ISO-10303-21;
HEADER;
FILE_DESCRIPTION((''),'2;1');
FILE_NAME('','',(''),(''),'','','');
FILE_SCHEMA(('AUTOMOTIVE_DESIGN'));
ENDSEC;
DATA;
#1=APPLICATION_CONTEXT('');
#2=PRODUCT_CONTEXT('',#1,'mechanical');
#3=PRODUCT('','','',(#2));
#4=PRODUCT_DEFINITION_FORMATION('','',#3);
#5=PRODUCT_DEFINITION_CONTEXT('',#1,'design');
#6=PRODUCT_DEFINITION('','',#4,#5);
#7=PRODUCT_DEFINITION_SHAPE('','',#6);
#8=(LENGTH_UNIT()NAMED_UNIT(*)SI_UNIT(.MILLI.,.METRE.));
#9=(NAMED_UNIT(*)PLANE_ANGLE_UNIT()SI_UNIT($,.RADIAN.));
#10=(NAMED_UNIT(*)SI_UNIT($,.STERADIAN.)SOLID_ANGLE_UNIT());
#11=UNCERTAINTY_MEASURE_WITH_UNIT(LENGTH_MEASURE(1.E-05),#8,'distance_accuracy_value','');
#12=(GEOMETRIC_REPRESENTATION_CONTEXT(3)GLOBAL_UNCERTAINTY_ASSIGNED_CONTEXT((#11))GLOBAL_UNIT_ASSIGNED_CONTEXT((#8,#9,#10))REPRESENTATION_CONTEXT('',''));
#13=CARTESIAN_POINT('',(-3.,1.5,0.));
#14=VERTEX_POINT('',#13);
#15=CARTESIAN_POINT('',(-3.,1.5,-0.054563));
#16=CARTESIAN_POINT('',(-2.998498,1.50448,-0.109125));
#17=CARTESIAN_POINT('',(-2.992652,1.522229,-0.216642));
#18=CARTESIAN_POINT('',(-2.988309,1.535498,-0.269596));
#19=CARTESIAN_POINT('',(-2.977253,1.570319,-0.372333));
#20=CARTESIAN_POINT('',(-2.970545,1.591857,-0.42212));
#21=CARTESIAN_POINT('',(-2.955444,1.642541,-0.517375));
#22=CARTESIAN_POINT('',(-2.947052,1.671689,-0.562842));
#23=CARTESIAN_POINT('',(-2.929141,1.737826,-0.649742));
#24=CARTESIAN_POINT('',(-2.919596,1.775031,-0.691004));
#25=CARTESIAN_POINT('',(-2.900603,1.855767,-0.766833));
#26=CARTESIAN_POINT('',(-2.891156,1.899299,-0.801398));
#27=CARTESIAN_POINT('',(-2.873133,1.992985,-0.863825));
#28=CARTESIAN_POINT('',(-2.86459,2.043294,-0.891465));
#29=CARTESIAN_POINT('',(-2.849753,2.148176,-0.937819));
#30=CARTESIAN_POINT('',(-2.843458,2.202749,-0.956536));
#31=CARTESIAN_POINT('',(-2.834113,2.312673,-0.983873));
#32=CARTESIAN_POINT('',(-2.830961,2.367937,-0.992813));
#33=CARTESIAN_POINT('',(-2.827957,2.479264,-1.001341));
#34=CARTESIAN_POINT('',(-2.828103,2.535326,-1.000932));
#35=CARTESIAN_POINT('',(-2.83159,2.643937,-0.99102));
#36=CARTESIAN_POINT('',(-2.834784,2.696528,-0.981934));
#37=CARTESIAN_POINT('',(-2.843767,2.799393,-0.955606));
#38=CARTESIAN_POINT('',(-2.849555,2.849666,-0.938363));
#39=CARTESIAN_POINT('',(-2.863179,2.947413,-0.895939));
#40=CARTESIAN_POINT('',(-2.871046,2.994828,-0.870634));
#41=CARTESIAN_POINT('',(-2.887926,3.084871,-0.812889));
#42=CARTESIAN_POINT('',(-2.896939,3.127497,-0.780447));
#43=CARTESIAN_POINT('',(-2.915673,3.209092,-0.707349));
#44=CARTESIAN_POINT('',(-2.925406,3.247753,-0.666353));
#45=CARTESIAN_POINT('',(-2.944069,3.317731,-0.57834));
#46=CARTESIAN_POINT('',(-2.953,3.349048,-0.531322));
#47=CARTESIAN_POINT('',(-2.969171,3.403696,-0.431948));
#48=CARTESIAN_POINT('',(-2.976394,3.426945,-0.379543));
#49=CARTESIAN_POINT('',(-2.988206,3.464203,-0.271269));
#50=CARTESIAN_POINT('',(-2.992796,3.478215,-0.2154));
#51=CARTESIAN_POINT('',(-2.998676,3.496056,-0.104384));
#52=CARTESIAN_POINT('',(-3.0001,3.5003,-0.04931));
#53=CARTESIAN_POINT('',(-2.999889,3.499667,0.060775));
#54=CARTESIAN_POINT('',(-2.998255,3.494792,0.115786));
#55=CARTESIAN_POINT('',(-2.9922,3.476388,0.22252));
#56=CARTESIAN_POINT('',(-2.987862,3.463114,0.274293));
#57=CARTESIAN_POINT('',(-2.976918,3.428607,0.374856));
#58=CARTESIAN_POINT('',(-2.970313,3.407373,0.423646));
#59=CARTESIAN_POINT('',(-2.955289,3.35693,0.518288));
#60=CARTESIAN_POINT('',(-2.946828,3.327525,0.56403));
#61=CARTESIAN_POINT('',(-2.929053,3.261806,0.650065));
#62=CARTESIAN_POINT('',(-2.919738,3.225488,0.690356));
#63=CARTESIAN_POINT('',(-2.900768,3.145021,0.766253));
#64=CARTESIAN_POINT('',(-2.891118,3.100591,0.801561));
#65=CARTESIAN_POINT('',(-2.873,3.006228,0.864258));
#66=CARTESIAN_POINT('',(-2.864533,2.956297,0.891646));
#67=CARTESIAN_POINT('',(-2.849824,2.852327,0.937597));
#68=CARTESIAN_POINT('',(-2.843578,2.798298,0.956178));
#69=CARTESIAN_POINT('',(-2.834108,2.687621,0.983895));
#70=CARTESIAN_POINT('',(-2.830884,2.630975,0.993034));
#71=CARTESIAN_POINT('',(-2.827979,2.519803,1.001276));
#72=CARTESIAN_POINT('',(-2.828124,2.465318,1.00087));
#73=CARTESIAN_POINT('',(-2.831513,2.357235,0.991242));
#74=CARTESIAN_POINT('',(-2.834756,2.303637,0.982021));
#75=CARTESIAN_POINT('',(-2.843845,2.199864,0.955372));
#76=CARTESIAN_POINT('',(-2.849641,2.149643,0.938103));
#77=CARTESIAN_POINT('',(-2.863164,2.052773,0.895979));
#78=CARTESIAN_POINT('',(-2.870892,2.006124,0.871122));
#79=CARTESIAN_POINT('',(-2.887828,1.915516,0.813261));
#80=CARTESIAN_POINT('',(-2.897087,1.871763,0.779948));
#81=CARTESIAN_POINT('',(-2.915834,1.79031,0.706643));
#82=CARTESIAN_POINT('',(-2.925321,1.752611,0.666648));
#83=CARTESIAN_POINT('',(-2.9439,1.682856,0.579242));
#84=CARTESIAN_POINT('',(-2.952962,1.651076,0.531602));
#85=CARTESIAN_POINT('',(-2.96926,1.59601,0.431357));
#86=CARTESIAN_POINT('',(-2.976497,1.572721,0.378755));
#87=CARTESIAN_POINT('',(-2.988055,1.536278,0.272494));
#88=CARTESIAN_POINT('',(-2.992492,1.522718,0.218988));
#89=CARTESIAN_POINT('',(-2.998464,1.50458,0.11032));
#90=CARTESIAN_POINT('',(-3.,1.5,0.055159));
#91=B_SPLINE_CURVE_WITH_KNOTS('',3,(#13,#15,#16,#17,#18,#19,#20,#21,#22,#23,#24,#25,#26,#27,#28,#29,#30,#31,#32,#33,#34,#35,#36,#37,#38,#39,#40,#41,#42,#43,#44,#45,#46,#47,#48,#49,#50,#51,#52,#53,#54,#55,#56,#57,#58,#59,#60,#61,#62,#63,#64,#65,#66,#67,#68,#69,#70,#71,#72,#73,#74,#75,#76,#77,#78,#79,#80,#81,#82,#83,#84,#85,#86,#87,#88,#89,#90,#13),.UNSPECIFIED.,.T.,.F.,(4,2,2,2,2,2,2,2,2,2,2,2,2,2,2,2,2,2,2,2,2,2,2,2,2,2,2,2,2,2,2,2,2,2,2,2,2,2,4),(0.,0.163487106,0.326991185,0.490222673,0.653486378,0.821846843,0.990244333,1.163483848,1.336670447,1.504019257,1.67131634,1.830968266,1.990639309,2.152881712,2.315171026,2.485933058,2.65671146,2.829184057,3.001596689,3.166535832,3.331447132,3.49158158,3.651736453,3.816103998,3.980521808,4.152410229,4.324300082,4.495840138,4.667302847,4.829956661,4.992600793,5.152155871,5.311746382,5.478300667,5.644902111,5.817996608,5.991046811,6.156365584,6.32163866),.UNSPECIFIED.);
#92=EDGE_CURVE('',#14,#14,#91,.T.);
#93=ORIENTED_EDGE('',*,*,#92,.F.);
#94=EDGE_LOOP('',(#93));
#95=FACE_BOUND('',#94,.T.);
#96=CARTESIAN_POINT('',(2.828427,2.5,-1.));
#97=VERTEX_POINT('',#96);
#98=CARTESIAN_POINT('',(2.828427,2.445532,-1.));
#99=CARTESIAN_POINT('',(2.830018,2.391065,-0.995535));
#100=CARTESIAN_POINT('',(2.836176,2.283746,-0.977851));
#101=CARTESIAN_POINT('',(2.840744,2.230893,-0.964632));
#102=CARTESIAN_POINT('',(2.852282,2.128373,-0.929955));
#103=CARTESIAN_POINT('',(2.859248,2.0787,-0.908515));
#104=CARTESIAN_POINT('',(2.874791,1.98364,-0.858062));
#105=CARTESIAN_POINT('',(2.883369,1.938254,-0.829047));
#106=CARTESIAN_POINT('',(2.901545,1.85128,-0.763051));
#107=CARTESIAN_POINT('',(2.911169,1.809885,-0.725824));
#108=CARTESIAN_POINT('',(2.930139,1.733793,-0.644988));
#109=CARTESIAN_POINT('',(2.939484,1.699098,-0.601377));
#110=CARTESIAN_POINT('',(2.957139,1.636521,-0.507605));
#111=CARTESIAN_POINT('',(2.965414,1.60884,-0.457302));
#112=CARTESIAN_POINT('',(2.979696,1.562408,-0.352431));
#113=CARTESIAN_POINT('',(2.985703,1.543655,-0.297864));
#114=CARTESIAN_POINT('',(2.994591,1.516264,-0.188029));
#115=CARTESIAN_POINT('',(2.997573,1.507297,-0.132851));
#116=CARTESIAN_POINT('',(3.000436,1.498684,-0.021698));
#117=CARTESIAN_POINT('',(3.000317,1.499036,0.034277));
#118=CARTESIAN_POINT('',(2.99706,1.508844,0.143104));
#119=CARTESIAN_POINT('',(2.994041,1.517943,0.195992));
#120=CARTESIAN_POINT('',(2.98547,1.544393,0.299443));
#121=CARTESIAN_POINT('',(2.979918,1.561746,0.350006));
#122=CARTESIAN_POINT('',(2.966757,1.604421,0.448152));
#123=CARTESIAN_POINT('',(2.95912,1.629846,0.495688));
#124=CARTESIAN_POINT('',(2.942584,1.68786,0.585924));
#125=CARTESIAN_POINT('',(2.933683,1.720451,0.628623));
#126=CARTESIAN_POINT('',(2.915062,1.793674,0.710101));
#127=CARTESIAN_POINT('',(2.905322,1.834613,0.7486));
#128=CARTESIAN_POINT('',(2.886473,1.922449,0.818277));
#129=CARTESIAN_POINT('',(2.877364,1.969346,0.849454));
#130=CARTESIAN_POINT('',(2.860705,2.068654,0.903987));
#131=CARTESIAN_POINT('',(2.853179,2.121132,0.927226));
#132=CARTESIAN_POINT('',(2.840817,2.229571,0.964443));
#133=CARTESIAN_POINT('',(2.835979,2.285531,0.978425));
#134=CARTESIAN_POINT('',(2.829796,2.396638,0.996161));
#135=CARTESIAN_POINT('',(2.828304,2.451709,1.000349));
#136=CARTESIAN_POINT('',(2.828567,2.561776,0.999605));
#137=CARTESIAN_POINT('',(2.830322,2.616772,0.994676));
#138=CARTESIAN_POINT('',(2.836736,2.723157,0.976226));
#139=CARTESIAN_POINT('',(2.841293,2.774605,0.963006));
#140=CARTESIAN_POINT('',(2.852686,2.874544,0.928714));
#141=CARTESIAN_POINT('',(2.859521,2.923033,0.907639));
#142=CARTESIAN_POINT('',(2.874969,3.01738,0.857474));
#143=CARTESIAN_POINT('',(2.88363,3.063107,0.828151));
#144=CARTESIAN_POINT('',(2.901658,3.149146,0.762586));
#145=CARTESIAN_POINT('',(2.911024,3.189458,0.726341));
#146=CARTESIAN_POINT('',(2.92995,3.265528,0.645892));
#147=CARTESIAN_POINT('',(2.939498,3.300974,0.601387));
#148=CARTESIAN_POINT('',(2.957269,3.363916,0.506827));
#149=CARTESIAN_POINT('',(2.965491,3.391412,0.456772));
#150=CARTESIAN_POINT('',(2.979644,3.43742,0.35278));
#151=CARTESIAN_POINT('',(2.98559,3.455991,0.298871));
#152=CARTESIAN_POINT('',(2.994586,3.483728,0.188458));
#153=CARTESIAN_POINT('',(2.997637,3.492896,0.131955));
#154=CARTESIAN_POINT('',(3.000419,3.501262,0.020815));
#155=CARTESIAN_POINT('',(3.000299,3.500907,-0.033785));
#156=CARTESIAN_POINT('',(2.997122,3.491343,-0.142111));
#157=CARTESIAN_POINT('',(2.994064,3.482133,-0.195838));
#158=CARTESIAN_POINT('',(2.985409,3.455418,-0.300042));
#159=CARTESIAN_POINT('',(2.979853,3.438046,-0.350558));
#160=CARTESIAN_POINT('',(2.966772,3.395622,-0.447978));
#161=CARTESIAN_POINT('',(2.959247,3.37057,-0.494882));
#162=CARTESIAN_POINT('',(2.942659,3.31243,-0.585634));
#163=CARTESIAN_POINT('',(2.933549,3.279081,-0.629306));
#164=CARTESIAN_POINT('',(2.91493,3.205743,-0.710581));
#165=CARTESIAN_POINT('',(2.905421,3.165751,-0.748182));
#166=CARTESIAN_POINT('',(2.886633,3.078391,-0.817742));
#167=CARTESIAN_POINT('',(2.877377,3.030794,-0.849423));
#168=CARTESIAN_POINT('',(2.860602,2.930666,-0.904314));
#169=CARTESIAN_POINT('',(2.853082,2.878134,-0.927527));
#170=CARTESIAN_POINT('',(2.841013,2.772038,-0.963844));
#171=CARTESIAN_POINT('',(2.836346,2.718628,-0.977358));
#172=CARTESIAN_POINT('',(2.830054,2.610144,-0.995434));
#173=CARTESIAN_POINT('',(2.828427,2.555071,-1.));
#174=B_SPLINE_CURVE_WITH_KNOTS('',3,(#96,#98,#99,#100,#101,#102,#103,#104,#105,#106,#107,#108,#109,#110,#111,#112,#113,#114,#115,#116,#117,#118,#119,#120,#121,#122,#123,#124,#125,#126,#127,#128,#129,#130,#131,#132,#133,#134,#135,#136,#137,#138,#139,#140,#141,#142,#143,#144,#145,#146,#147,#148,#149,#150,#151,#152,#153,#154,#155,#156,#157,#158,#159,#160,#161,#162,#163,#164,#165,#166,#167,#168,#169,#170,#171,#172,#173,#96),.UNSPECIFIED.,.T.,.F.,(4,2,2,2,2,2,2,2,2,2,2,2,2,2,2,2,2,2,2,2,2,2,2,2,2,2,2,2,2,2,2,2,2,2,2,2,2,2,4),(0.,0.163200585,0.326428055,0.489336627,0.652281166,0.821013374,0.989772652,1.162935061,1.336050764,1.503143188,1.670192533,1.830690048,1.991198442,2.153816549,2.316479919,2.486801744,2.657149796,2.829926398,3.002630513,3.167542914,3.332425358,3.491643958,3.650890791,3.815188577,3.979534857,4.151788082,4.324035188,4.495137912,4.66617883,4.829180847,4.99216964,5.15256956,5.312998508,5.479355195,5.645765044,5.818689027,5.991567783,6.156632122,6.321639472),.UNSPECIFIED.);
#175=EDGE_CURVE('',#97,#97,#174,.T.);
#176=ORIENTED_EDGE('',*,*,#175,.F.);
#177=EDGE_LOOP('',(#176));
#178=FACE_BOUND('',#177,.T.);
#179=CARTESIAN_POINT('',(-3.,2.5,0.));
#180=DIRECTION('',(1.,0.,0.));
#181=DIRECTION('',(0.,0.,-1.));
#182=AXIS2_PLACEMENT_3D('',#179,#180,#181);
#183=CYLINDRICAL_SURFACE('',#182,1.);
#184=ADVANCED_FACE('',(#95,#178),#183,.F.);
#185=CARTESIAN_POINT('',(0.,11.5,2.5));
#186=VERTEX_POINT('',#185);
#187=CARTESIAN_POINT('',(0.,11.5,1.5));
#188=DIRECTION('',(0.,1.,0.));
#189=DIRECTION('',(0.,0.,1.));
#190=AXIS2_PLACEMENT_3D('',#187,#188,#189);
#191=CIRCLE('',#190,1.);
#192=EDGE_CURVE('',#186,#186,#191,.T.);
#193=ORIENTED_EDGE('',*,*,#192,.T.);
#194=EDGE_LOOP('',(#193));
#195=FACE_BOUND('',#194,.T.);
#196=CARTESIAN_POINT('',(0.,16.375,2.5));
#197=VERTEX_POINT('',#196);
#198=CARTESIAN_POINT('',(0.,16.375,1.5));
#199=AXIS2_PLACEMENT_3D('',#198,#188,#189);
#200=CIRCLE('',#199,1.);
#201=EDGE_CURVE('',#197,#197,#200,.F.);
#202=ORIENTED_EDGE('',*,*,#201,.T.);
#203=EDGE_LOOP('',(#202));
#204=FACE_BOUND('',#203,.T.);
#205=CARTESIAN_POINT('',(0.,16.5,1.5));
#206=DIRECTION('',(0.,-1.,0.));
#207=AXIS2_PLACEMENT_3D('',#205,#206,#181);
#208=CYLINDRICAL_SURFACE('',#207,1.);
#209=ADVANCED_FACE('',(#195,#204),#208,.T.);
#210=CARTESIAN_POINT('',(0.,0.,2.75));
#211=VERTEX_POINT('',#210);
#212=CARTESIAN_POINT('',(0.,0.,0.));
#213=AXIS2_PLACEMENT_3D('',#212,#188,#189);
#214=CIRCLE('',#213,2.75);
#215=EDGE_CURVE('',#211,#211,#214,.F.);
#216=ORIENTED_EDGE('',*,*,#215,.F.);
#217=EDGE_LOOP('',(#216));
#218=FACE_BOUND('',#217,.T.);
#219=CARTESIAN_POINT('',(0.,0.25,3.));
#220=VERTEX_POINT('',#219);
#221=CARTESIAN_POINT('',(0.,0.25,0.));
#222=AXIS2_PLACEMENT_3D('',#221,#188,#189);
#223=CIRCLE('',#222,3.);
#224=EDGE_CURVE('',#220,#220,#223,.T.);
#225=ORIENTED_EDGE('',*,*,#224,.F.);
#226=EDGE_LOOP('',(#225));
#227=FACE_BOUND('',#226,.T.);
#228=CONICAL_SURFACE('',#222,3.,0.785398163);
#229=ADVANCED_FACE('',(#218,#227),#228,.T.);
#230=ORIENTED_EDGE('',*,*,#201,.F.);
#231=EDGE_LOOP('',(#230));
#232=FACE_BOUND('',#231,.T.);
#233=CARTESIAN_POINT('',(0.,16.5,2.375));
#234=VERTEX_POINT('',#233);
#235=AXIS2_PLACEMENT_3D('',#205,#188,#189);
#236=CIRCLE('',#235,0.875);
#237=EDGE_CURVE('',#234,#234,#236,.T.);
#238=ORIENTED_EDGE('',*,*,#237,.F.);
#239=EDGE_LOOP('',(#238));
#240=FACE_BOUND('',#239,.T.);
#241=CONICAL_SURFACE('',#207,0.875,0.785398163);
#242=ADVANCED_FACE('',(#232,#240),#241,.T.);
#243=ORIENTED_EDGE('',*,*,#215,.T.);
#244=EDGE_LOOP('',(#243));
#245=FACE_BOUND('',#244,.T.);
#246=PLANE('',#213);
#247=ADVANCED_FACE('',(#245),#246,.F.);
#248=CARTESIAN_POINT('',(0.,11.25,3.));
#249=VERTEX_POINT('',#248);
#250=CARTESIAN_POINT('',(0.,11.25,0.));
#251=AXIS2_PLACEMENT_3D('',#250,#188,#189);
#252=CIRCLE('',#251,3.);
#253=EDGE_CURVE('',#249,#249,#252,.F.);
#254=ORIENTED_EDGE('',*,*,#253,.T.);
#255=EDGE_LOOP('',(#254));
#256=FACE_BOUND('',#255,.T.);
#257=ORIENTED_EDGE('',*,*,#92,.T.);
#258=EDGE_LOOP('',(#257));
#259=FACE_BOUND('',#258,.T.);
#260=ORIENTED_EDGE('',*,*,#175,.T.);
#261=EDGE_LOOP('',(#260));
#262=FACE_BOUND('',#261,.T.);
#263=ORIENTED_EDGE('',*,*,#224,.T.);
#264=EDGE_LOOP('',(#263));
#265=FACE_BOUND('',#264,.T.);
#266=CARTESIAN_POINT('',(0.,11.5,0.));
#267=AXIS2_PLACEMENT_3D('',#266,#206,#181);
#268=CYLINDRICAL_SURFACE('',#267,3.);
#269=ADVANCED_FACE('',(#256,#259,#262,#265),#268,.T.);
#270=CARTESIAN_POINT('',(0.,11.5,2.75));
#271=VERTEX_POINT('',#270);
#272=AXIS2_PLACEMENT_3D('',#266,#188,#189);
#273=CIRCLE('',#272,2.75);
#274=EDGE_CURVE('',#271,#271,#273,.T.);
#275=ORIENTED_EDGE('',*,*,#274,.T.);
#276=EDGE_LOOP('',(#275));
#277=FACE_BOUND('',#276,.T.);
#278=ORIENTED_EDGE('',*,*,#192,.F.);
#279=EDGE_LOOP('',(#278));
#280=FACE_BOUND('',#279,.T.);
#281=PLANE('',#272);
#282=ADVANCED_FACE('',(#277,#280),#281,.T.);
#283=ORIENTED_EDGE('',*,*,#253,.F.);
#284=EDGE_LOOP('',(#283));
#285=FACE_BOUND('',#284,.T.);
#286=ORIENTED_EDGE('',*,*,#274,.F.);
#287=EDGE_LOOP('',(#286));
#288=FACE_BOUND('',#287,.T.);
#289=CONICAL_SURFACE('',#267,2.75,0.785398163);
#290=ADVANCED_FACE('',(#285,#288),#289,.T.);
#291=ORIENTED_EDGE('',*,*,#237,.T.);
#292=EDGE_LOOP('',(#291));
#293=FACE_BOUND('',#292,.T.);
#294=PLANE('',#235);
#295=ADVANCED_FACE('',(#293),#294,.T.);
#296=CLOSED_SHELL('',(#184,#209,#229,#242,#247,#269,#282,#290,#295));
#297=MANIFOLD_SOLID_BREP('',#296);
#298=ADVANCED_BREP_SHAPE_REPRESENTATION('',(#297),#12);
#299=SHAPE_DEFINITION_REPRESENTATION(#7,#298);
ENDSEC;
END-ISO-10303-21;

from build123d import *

# Parameters (mm, degrees)
SKETCH1_R               = 3
BOSS_EXTRUDE1_DEPTH     = 11.5
SKETCH4_R               = 1
BOSS_EXTRUDE2_DEPTH     = 5
SKETCH9_R               = 1
CUT_EXTRUDE1_DEPTH      = 4
CUT_EXTRUDE1_DEPTH_BACK = 4
CHAMFER1_SIZE           = 0.25
CHAMFER2_SIZE           = 0.25
CHAMFER3_SIZE           = 0.125


with BuildPart() as part:
    # Sketch1 → Boss-Extrude1 (new body)
    with BuildSketch(Plane(origin=(0, 0, 0), x_dir=(1, 0, 0), z_dir=(0, 1, 0))):
        Circle(SKETCH1_R)
    extrude(amount=BOSS_EXTRUDE1_DEPTH)

    # Sketch4 → Boss-Extrude2 (add)
    with BuildSketch(Plane(origin=(0, 11.5, 0), x_dir=(1, 0, 0), z_dir=(0, 1, 0))):
        with Locations((0, -1.5)):
            Circle(SKETCH4_R)
    extrude(amount=BOSS_EXTRUDE2_DEPTH)

    # Sketch9 → Cut-Extrude1 (cut, two sides)
    with BuildSketch(Plane(origin=(0, 0, 0), x_dir=(0, 0, -1), z_dir=(1, 0, 0))) as cut_extrude1_sk:
        with Locations((0, 2.5)):
            Circle(SKETCH9_R)
    extrude(amount=CUT_EXTRUDE1_DEPTH, mode=Mode.SUBTRACT)
    extrude(cut_extrude1_sk.sketch, amount=-CUT_EXTRUDE1_DEPTH_BACK, mode=Mode.SUBTRACT)

    # Chamfer1
    chamfer1_edges = [part.edges().sort_by_distance(p)[0] for p in [
        (-3, 11.5, 0),
    ]]
    chamfer(chamfer1_edges, length=CHAMFER1_SIZE)

    # Chamfer2
    chamfer2_edges = [part.edges().sort_by_distance(p)[0] for p in [
        (-3, 0, 0),
    ]]
    chamfer(chamfer2_edges, length=CHAMFER2_SIZE)

    # Chamfer3
    chamfer3_edges = [part.edges().sort_by_distance(p)[0] for p in [
        (-1, 16.5, 1.5),
    ]]
    chamfer(chamfer3_edges, length=CHAMFER3_SIZE)


solid = part.part
